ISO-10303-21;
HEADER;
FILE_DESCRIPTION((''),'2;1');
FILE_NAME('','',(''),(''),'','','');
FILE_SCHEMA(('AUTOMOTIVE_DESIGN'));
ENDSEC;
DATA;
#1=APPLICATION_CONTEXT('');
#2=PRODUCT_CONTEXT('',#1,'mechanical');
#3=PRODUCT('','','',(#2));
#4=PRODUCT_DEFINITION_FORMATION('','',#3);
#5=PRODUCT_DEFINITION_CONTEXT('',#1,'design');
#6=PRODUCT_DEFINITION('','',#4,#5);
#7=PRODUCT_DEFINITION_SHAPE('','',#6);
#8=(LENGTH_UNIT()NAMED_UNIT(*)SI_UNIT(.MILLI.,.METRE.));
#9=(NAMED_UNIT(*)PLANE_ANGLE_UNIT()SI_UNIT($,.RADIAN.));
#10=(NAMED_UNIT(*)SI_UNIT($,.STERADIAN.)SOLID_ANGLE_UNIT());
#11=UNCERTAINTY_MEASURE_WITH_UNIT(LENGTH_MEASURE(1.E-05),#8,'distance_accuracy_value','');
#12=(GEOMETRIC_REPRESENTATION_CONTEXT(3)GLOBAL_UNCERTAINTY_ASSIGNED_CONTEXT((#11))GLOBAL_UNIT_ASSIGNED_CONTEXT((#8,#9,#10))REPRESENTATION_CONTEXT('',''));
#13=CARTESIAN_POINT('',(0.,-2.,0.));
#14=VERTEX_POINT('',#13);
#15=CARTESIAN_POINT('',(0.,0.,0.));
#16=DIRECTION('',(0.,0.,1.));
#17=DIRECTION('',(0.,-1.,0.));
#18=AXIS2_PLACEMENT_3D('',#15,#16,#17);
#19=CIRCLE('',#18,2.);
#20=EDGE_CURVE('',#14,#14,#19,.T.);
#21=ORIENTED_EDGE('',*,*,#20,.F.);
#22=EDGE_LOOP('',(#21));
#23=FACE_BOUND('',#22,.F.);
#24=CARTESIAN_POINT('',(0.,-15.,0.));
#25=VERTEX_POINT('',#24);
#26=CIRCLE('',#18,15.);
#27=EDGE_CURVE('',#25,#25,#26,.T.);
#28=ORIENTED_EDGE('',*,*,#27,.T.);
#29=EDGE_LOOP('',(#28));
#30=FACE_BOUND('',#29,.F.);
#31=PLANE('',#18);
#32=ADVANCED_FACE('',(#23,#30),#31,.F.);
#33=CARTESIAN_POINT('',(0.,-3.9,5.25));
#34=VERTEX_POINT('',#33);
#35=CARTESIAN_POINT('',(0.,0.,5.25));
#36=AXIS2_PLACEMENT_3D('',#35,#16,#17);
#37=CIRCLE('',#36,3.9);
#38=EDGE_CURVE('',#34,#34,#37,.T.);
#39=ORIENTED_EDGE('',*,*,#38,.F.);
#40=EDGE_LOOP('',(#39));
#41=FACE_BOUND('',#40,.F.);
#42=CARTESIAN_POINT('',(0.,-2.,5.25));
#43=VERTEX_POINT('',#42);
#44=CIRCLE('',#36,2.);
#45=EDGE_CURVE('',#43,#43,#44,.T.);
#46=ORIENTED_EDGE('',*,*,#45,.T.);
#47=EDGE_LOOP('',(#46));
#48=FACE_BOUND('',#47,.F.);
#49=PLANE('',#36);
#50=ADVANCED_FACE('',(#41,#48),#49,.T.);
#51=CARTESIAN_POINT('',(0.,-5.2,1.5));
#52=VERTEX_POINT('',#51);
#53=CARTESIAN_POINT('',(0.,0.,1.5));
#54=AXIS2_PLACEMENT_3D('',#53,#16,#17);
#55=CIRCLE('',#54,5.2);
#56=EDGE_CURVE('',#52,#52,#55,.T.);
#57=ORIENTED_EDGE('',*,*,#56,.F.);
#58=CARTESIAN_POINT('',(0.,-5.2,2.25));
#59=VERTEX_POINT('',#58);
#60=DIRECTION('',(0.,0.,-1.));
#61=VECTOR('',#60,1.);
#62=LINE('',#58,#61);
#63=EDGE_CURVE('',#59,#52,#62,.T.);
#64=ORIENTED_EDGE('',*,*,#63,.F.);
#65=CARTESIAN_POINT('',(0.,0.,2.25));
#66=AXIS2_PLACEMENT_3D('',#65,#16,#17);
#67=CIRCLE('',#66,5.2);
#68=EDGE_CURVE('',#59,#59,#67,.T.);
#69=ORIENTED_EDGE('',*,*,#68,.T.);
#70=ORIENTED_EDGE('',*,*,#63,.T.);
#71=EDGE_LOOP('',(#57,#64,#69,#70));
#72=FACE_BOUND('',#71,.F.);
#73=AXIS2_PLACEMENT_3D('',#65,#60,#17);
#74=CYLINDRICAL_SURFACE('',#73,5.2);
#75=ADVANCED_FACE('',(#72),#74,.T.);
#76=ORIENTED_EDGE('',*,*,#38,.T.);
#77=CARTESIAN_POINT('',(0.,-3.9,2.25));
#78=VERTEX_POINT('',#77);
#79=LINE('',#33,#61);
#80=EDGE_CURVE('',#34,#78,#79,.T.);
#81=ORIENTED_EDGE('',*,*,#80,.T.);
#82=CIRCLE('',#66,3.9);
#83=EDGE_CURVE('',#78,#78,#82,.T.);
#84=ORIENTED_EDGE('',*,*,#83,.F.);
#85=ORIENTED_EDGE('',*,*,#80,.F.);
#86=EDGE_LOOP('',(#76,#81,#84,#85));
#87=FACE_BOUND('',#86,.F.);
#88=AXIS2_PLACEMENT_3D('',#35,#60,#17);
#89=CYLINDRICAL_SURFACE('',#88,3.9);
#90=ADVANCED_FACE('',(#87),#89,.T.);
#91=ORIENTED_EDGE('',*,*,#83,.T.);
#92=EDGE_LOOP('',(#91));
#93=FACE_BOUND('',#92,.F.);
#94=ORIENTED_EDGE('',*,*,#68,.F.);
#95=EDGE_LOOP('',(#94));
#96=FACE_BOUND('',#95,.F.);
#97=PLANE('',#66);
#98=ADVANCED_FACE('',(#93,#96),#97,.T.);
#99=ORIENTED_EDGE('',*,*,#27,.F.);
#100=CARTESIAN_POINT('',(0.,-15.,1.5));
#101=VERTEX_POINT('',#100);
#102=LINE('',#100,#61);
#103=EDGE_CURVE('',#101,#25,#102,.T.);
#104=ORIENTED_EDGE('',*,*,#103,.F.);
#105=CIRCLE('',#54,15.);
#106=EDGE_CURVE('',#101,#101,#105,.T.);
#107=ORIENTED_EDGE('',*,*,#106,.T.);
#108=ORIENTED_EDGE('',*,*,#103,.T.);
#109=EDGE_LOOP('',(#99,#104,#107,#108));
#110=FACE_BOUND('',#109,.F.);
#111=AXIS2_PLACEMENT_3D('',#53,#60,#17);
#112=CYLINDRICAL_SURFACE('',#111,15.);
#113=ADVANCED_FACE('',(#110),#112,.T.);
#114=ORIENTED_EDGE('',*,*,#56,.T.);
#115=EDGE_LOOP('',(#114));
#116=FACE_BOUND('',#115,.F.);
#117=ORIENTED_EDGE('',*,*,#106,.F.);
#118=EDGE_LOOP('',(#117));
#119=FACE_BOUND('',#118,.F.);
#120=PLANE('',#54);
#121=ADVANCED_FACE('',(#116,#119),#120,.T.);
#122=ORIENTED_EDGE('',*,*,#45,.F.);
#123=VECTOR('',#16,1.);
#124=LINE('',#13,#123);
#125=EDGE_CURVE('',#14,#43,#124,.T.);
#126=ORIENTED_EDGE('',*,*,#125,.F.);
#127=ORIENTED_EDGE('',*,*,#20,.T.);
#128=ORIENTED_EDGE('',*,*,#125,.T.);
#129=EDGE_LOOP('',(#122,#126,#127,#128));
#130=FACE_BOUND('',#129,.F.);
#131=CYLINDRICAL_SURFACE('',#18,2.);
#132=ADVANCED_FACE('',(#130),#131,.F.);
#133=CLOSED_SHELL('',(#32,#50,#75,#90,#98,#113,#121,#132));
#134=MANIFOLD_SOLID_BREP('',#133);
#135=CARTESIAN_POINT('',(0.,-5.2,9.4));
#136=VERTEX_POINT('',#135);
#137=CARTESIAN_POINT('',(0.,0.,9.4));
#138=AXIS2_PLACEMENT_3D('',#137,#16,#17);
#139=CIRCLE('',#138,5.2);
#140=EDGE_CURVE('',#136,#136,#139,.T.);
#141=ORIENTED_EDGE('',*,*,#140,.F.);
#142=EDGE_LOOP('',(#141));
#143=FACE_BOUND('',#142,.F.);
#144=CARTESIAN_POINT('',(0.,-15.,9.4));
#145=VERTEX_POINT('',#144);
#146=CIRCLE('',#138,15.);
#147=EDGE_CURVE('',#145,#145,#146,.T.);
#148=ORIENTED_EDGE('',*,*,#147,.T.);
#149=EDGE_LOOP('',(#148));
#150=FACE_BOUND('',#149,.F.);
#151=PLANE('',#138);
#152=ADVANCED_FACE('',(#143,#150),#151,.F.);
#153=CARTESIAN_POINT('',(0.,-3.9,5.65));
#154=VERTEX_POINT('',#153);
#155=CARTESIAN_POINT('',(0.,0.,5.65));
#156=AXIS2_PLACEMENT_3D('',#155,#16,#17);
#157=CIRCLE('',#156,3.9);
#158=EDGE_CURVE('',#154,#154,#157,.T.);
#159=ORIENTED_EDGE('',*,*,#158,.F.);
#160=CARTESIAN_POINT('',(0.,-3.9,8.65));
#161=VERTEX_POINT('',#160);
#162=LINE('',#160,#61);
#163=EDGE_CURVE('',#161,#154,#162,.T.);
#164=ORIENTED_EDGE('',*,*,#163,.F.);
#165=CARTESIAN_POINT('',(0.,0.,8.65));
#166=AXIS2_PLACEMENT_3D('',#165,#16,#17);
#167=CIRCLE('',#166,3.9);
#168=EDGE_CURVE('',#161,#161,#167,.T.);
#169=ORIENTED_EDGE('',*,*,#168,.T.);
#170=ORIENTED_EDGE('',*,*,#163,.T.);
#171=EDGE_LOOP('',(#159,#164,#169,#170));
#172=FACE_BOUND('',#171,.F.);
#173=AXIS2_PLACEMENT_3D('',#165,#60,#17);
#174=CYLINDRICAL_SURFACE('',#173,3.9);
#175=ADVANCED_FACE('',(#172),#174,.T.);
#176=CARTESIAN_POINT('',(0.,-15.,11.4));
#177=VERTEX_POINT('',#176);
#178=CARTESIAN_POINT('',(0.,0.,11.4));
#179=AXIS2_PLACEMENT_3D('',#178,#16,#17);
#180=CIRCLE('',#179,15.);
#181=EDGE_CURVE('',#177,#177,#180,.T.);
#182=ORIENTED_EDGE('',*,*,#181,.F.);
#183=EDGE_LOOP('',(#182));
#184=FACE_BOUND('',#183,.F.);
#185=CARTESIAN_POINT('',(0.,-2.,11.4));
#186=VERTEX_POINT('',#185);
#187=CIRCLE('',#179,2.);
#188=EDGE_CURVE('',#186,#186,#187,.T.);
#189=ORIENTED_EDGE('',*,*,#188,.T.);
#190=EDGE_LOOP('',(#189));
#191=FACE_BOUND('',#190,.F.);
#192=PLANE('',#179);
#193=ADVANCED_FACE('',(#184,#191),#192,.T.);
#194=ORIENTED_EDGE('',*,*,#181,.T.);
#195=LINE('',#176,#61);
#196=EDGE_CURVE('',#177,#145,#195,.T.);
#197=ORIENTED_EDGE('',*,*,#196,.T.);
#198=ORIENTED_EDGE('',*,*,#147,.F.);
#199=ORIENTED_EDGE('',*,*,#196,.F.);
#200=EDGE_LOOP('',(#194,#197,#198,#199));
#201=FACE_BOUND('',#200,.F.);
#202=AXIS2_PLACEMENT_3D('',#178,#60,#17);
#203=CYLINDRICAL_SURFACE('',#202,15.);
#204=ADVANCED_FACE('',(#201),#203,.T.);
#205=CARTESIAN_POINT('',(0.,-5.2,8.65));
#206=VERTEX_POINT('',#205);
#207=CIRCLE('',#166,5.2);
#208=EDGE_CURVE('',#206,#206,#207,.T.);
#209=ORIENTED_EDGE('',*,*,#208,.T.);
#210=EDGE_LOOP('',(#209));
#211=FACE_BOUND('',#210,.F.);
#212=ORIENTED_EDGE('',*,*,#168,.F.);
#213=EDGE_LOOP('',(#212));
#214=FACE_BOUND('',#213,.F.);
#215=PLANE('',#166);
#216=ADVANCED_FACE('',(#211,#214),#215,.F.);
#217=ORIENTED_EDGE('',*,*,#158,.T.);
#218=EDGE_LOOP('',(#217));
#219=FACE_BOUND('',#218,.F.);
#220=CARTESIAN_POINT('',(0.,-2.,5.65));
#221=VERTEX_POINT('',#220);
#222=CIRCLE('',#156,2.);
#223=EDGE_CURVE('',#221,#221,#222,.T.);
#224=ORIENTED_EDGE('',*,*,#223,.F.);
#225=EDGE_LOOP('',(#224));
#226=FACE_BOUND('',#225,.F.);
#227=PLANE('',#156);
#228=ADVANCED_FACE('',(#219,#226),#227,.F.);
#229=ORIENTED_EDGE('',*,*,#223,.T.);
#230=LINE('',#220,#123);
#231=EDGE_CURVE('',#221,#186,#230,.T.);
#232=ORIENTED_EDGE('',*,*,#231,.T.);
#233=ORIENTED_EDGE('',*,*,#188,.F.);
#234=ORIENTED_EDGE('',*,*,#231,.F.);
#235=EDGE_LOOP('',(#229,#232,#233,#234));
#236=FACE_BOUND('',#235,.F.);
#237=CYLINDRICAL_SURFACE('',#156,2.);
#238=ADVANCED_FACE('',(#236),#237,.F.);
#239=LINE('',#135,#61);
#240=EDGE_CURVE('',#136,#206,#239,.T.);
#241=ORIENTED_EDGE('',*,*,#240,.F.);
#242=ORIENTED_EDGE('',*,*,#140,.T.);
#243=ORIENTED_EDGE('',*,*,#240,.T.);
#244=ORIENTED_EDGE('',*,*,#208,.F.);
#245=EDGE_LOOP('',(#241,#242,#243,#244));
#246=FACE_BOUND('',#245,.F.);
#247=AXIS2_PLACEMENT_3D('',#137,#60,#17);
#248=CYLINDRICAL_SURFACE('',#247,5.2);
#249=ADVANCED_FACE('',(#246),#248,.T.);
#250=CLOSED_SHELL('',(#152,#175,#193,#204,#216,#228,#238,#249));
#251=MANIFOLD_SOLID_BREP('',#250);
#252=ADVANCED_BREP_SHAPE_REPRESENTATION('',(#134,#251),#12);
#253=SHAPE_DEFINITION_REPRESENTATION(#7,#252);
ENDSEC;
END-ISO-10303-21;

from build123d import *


with BuildPart() as f1:
    # F0 (on Right) → F1 (revolve)
    with BuildSketch(Plane.YZ):
        Polygon((-3.9, 5.65), (-2, 5.65), (-2, 11.4), (-15, 11.4), (-15, 9.4), (-5.2, 9.4), (-5.2, 8.65), (-3.9, 8.65), align=None)
        Polygon((-15, 0), (-2, 0), (-2, 5.25), (-3.9, 5.25), (-3.9, 2.25), (-5.2, 2.25), (-5.2, 1.5), (-15, 1.5), align=None)
    revolve(axis=Axis((0, 0, 12.80953), (0, 0, 1)))


solid = f1.part
